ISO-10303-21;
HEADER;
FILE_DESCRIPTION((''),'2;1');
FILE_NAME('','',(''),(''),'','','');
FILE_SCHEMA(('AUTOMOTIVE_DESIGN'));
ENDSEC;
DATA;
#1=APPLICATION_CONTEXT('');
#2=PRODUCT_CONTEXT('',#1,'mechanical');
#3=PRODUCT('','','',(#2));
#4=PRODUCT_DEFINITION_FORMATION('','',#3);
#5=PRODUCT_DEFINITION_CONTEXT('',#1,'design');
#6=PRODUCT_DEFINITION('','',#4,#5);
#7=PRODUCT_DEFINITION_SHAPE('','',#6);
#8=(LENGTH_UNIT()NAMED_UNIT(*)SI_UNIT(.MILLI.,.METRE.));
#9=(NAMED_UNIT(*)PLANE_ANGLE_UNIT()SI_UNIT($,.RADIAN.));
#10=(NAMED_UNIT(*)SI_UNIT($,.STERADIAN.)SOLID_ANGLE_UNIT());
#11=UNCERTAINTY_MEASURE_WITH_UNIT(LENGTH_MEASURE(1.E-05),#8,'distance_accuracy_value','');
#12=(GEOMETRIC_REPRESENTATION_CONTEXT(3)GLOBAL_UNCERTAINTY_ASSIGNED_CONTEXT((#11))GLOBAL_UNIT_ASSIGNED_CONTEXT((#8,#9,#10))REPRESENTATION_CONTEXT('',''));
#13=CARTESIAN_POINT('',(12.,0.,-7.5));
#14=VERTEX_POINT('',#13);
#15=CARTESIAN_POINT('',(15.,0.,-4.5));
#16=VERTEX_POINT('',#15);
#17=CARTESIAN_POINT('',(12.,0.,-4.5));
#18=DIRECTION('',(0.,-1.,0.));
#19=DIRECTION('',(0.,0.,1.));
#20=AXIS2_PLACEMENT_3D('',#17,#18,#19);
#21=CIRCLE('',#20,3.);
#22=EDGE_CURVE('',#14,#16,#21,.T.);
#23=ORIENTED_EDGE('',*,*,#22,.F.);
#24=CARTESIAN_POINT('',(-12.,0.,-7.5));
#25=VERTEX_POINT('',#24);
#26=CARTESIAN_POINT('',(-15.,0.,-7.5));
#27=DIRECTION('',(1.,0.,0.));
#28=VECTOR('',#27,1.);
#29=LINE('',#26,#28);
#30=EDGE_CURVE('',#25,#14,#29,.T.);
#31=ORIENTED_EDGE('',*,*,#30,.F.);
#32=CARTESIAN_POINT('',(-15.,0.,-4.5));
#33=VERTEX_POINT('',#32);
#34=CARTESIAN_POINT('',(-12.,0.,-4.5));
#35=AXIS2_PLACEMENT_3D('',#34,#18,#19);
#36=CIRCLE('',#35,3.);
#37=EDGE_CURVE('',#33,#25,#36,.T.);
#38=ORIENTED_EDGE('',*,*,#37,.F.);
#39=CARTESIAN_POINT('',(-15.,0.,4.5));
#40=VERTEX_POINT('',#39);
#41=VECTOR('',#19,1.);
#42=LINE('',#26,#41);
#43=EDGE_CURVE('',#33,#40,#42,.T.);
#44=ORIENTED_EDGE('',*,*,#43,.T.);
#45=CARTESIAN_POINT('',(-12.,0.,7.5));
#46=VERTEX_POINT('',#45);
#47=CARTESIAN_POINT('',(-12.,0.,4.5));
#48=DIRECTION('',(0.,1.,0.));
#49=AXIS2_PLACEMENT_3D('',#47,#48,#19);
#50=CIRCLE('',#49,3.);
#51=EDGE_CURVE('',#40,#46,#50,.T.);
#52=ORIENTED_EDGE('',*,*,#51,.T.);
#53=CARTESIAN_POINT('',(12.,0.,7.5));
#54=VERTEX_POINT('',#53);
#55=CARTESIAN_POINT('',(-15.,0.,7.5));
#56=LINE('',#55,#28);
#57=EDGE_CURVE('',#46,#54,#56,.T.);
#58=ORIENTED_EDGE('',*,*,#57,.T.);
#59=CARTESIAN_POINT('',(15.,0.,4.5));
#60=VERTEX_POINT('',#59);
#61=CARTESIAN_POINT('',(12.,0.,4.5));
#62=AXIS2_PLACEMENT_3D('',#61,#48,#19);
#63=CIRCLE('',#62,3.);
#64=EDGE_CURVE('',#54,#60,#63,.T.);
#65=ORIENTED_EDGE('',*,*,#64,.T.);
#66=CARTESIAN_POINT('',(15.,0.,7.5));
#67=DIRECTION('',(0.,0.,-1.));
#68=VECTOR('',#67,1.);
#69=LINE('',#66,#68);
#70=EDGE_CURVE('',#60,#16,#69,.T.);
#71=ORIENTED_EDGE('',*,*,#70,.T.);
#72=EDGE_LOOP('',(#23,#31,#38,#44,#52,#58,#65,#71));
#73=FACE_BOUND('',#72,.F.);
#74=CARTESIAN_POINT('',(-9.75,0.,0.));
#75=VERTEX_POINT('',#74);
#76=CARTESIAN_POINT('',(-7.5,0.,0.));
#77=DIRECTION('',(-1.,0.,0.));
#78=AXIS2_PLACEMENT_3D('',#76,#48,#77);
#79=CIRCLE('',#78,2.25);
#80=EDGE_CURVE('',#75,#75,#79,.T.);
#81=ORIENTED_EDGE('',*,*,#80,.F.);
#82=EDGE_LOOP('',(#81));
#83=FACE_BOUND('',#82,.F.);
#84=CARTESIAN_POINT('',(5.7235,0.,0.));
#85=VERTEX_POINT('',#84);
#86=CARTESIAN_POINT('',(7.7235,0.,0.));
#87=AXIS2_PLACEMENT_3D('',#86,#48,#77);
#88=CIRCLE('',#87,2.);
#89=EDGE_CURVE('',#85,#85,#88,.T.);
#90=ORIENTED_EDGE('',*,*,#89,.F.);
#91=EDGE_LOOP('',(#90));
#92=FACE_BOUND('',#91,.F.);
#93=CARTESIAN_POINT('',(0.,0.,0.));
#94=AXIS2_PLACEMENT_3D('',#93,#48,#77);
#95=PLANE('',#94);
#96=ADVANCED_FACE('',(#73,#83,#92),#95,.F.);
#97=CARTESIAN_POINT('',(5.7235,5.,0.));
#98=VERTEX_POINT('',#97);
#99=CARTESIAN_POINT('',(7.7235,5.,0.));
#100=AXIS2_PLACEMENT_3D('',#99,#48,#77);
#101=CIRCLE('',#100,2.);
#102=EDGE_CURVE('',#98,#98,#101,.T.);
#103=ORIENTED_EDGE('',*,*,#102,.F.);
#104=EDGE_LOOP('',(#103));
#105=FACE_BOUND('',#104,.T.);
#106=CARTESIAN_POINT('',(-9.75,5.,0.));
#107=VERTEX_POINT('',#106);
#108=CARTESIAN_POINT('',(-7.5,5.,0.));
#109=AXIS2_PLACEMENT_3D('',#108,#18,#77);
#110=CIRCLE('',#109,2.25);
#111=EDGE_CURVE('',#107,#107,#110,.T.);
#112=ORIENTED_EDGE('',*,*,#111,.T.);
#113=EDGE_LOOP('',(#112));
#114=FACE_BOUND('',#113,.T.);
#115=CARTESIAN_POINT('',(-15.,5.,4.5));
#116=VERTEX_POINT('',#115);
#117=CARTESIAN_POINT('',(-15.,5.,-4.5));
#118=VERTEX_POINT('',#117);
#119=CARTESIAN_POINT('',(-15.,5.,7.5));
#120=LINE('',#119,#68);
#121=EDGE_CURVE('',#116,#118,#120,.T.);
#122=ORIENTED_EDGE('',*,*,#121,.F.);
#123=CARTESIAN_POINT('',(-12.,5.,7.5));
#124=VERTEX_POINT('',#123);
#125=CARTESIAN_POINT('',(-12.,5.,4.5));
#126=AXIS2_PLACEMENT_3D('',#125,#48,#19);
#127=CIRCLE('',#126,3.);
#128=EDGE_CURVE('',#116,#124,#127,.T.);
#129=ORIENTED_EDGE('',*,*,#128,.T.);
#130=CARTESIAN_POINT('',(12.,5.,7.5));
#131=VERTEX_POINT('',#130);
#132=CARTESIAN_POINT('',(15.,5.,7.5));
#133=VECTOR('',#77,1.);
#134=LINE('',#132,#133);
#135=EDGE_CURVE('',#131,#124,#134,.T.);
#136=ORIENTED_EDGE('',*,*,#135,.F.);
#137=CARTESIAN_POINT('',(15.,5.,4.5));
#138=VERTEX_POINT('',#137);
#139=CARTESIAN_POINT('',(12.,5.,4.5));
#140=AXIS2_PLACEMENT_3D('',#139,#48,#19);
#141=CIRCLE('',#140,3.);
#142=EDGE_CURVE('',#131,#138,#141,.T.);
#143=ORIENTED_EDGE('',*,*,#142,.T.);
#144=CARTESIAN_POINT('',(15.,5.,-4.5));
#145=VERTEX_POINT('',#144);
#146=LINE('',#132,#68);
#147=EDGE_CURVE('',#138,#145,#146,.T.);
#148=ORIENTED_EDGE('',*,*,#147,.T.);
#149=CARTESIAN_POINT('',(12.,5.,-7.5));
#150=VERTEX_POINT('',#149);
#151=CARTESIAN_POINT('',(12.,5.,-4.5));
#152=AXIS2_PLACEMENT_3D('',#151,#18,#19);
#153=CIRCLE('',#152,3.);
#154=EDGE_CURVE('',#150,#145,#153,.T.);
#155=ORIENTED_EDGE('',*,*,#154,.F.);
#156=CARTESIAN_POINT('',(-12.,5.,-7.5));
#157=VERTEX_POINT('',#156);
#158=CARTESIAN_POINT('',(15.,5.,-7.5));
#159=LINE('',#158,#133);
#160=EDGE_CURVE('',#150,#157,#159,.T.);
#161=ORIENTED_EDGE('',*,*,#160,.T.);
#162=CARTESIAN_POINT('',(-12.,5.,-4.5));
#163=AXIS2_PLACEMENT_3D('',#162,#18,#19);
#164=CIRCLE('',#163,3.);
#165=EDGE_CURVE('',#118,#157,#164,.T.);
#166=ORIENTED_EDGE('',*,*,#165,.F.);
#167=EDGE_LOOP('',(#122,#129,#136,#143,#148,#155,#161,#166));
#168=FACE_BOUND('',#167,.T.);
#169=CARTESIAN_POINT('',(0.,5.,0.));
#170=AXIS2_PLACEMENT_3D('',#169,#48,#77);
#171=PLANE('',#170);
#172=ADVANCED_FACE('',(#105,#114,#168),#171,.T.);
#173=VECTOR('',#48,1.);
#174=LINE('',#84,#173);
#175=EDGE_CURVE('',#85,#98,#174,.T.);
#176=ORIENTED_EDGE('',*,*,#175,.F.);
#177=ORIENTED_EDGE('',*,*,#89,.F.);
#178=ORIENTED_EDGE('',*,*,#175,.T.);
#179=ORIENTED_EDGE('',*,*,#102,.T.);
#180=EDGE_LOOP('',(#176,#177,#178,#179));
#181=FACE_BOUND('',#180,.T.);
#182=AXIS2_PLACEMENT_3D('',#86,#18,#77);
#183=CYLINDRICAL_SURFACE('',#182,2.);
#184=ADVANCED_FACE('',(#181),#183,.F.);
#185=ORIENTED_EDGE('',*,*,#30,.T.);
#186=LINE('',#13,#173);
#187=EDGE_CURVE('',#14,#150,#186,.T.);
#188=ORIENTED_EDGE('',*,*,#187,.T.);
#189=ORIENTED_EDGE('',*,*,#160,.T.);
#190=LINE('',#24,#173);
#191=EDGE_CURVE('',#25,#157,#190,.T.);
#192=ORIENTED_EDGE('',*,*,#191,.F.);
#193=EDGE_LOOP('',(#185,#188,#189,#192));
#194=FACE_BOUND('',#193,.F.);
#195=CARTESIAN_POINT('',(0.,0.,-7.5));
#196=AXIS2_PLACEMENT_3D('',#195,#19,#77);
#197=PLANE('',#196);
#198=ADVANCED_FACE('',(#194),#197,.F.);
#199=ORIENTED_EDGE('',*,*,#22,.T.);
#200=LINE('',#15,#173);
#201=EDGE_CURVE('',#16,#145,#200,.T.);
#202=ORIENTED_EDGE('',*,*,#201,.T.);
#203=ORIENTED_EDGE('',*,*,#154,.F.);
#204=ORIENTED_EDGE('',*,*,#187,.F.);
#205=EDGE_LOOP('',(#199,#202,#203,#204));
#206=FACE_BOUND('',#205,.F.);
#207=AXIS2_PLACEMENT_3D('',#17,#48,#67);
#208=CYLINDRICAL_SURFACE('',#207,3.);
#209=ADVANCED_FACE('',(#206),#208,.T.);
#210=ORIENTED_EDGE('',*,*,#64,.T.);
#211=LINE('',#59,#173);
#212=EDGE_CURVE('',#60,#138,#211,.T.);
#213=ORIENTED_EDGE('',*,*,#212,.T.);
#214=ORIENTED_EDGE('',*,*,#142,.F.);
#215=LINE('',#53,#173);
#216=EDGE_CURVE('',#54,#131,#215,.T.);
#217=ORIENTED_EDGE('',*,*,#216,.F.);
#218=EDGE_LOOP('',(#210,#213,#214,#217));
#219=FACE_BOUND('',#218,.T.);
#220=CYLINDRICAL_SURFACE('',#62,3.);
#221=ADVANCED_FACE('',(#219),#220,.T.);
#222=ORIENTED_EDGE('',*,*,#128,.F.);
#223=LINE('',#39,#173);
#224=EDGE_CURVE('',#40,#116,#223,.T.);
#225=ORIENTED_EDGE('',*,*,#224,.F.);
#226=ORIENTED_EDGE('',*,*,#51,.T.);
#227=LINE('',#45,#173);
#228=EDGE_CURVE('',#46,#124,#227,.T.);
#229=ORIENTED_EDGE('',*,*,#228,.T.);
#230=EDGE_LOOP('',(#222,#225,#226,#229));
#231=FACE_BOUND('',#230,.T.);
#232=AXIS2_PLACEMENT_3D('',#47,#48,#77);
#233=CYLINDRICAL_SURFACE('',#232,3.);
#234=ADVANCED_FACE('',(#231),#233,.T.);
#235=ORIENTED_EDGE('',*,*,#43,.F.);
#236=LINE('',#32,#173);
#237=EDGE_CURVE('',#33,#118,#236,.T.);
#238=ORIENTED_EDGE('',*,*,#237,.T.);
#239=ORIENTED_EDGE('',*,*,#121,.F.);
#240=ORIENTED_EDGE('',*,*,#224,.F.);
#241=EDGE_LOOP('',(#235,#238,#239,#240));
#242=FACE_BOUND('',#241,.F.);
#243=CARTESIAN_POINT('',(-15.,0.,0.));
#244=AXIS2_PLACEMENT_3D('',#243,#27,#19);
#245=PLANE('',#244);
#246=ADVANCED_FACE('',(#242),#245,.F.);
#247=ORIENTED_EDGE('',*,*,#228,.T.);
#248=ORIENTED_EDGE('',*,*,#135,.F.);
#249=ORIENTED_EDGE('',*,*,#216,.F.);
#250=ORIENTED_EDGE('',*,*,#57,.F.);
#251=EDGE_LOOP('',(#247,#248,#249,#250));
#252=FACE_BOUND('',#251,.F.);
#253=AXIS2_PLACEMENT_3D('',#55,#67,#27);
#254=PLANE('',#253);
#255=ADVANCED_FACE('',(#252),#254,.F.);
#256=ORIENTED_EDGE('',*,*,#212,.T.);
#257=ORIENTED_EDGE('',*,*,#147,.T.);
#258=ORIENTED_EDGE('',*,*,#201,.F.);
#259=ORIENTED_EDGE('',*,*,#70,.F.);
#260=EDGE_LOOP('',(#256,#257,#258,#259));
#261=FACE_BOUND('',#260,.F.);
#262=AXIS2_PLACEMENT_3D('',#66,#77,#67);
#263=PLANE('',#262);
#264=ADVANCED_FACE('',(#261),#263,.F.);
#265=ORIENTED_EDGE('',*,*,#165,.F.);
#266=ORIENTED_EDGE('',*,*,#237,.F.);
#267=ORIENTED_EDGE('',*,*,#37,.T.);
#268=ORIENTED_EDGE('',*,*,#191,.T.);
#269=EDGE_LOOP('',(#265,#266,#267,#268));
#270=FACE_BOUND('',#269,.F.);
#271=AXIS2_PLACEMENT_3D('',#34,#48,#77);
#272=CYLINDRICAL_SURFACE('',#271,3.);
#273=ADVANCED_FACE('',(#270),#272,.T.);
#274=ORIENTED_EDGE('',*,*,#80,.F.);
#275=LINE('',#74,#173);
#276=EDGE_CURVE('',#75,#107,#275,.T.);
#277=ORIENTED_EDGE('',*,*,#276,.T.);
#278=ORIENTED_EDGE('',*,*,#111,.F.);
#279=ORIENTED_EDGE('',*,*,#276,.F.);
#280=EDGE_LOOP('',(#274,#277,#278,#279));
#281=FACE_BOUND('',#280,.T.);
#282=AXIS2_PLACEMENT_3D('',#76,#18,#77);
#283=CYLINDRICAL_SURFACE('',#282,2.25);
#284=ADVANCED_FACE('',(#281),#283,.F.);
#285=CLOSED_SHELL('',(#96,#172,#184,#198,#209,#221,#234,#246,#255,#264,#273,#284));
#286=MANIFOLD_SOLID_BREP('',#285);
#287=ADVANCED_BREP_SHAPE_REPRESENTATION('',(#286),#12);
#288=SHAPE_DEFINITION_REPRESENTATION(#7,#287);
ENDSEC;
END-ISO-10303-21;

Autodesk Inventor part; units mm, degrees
ref_plane "YZ Plane" through (0, 0, 0) normal (1, 0, 0) x (0, 1, 0)
ref_plane "XZ Plane" through (0, 0, 0) normal (0, 1, 0) x (-1, 0, 0)
ref_plane "XY Plane" through (0, 0, 0) normal (0, 0, 1) x (1, 0, 0)
sketch "Sketch1" plane through (0, 0, 0) normal (0, 1, 0) x (-1, 0, 0)
  line L0 (15, 7.5) -> (-15, 7.5)
  line L1 (-15, 7.5) -> (-15, -7.5)
  line L2 (-15, -7.5) -> (15, -7.5)
  line L3 (15, -7.5) -> (15, 7.5)
  line L4 (15, 7.5) -> (-15, -7.5) construction
  line L5 (-15, 7.5) -> (15, -7.5) construction
  line L6 (0, 7.5) -> (0, -7.5)
  line L7 (15, 0) -> (0, 0)
  circle A0 centre (7.5, 0) radius 2.25
  circle A1 centre (-7.7235, 0) radius 2
  dimension "d0" = 30
  dimension "d1" = 15
  dimension "d2" = 4.5
  dimension "d11" = 4
extrude "Extrusion1" add sketch "Sketch1" along normal blind 5 contours L3 L7 A0 L6 L0 | L6 L2 L1 L0 | L3 L2 L6 L7 A0
fillet "Fillet1" radius 3 4 edges at (-15, 2.5, 7.5) (-15, 2.5, -7.5) (15, 2.5, 7.5) (15, 2.5, -7.5)
properties part number "angulo"
